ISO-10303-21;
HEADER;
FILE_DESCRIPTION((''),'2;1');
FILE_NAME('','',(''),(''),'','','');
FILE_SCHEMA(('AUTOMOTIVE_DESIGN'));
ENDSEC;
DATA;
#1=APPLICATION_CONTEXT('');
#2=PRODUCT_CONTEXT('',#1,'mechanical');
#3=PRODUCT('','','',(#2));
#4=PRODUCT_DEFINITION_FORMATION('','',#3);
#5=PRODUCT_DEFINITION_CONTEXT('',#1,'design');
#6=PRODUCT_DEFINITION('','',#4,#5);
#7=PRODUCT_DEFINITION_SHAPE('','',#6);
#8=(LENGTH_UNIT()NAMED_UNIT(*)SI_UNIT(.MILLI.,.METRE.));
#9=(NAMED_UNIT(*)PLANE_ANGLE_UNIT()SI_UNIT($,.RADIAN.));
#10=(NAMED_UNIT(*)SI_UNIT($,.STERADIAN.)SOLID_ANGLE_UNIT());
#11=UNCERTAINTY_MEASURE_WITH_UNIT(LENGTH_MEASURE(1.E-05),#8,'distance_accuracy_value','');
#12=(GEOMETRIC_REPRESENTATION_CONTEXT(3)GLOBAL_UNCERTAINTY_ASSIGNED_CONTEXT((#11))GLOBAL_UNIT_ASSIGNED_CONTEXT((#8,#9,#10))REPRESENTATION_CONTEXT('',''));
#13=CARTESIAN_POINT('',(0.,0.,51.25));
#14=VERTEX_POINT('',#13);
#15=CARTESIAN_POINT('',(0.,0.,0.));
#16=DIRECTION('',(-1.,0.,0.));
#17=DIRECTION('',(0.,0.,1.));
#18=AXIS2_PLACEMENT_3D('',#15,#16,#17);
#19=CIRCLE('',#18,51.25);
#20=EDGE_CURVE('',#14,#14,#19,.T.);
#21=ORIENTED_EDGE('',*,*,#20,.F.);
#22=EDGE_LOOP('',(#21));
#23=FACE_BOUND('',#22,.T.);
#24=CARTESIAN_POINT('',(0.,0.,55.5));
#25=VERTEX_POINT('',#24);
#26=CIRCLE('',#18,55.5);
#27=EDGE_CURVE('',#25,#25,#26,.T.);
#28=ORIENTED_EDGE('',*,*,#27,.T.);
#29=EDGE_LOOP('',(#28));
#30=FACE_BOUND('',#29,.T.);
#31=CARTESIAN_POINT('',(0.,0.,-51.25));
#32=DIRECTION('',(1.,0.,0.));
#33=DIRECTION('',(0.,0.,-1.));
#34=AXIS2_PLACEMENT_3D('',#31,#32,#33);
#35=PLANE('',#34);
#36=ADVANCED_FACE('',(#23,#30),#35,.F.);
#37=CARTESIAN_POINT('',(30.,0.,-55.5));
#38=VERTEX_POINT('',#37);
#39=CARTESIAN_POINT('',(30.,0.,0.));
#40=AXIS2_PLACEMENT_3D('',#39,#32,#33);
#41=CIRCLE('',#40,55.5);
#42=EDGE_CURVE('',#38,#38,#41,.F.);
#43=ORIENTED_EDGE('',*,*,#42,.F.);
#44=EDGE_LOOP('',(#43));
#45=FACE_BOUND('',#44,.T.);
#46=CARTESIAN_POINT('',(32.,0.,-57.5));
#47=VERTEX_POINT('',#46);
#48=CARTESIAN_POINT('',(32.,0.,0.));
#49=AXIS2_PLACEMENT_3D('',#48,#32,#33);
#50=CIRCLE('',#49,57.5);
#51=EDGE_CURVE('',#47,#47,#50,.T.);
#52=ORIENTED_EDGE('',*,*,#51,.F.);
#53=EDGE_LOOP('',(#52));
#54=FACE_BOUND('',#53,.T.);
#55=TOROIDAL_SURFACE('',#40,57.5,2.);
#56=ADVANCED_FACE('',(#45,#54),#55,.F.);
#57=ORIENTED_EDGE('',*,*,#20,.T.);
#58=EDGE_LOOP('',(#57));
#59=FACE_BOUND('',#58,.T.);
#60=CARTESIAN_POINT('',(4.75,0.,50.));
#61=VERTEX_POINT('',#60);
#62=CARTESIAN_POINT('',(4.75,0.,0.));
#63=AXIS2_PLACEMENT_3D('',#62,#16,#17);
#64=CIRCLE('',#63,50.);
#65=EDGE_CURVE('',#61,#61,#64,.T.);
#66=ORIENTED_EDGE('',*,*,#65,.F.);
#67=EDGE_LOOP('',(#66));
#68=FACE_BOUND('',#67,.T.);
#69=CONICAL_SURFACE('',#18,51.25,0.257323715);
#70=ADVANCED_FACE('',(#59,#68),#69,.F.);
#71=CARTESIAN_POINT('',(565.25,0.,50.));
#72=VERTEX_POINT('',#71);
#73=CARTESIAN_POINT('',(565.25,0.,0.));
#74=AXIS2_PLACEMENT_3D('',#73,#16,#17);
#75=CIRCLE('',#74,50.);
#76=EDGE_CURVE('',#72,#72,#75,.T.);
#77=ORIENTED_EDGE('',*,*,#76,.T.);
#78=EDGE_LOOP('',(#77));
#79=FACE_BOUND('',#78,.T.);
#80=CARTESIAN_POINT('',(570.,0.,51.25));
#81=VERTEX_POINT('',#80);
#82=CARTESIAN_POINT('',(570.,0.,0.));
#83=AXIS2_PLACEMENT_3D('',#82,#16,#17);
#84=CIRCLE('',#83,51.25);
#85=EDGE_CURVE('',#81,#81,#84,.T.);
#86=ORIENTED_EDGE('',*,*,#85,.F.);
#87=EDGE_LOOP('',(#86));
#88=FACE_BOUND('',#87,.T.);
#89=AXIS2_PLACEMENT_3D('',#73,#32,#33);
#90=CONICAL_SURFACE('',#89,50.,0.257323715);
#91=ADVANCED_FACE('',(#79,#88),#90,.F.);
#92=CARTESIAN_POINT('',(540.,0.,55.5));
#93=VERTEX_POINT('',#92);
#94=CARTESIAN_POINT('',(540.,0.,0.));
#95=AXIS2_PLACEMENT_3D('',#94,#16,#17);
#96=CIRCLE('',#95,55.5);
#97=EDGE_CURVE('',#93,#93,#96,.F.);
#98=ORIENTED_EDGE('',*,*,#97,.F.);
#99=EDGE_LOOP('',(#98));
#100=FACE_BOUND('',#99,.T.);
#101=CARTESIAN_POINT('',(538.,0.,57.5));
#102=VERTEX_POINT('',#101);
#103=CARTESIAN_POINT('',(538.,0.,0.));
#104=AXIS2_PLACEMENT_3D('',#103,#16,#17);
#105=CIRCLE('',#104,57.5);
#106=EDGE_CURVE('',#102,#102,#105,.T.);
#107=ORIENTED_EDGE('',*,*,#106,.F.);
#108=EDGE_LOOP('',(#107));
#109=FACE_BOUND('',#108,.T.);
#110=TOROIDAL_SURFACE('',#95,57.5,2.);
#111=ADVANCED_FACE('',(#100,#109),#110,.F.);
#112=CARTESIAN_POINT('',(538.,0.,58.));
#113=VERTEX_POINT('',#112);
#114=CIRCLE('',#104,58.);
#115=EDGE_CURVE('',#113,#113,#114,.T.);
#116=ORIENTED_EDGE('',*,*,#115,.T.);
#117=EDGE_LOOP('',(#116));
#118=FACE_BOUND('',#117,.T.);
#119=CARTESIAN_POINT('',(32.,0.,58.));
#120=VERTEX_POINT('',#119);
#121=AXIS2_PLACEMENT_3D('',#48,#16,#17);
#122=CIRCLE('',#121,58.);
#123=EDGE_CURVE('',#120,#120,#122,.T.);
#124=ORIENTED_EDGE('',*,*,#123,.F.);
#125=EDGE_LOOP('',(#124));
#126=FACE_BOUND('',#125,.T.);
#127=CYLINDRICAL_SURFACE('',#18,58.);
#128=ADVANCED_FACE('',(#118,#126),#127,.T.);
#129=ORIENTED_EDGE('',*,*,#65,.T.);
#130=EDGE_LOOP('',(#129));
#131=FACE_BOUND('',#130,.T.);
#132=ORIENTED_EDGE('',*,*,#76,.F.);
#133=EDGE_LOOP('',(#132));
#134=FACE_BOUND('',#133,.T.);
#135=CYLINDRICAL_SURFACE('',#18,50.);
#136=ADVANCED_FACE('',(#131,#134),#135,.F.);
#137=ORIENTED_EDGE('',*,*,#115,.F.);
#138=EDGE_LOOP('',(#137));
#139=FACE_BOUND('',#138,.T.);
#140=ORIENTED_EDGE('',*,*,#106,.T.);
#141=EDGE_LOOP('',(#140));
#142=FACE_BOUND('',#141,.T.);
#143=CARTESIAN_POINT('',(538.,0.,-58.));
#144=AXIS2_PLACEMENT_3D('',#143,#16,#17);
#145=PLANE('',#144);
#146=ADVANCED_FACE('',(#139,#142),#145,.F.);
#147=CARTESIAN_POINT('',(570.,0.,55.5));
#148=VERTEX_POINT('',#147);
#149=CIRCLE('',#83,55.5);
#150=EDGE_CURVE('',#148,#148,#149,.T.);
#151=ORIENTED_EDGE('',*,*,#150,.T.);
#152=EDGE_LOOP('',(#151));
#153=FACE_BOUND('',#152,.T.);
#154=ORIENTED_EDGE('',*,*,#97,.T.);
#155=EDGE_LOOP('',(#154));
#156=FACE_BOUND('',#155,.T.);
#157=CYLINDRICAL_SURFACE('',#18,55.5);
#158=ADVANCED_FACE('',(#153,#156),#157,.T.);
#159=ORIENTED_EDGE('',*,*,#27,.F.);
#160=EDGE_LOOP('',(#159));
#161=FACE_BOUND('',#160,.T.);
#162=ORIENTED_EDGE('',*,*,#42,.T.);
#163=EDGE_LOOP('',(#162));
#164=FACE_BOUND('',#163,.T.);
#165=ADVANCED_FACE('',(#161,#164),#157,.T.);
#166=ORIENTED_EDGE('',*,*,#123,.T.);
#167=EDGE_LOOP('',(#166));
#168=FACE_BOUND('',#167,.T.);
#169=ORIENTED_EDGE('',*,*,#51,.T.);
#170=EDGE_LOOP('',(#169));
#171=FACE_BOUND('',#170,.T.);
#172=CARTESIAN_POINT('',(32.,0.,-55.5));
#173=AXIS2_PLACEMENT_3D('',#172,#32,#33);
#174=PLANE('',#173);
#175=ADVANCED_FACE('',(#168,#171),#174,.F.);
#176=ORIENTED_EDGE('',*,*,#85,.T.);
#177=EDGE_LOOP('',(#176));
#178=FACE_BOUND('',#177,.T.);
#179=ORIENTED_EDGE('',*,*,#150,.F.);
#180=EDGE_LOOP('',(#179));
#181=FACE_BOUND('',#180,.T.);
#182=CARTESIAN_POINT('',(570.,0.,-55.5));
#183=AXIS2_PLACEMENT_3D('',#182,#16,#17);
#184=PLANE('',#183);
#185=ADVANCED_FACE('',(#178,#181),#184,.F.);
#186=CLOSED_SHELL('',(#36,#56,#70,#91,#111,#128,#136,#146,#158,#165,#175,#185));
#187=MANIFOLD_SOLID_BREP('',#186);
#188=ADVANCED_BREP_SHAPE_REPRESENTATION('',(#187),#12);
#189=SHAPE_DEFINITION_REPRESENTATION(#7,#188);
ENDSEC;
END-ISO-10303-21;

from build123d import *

# Parameters (mm, degrees)
FILLET1_R = 2


with BuildPart() as part:
    # Sketch1 → Revolve1 (revolve)
    with BuildSketch(Plane(origin=(0, 0, 0), x_dir=(1, 0, 0), z_dir=(0, 1, 0)), mode=Mode.PRIVATE) as revolve1_sk:
        Polygon((0, 51.25), (0, 55.5), (32, 55.5), (32, 58), (538, 58), (538, 55.5), (570, 55.5), (570, 51.25), (565.25, 50), (4.75, 50), align=None)
    revolve(revolve1_sk.sketch.rotate(Axis((0, 0, 0), (1, 0, 0)), 180), axis=Axis((0, 0, 0), (1, 0, 0)))

    # Fillet1
    fillet1_edges = [part.edges().sort_by_distance(p)[0] for p in [
        (32, 0, -55.5),
        (538, 0, -55.5),
    ]]
    fillet(fillet1_edges, radius=FILLET1_R)


solid = part.part
